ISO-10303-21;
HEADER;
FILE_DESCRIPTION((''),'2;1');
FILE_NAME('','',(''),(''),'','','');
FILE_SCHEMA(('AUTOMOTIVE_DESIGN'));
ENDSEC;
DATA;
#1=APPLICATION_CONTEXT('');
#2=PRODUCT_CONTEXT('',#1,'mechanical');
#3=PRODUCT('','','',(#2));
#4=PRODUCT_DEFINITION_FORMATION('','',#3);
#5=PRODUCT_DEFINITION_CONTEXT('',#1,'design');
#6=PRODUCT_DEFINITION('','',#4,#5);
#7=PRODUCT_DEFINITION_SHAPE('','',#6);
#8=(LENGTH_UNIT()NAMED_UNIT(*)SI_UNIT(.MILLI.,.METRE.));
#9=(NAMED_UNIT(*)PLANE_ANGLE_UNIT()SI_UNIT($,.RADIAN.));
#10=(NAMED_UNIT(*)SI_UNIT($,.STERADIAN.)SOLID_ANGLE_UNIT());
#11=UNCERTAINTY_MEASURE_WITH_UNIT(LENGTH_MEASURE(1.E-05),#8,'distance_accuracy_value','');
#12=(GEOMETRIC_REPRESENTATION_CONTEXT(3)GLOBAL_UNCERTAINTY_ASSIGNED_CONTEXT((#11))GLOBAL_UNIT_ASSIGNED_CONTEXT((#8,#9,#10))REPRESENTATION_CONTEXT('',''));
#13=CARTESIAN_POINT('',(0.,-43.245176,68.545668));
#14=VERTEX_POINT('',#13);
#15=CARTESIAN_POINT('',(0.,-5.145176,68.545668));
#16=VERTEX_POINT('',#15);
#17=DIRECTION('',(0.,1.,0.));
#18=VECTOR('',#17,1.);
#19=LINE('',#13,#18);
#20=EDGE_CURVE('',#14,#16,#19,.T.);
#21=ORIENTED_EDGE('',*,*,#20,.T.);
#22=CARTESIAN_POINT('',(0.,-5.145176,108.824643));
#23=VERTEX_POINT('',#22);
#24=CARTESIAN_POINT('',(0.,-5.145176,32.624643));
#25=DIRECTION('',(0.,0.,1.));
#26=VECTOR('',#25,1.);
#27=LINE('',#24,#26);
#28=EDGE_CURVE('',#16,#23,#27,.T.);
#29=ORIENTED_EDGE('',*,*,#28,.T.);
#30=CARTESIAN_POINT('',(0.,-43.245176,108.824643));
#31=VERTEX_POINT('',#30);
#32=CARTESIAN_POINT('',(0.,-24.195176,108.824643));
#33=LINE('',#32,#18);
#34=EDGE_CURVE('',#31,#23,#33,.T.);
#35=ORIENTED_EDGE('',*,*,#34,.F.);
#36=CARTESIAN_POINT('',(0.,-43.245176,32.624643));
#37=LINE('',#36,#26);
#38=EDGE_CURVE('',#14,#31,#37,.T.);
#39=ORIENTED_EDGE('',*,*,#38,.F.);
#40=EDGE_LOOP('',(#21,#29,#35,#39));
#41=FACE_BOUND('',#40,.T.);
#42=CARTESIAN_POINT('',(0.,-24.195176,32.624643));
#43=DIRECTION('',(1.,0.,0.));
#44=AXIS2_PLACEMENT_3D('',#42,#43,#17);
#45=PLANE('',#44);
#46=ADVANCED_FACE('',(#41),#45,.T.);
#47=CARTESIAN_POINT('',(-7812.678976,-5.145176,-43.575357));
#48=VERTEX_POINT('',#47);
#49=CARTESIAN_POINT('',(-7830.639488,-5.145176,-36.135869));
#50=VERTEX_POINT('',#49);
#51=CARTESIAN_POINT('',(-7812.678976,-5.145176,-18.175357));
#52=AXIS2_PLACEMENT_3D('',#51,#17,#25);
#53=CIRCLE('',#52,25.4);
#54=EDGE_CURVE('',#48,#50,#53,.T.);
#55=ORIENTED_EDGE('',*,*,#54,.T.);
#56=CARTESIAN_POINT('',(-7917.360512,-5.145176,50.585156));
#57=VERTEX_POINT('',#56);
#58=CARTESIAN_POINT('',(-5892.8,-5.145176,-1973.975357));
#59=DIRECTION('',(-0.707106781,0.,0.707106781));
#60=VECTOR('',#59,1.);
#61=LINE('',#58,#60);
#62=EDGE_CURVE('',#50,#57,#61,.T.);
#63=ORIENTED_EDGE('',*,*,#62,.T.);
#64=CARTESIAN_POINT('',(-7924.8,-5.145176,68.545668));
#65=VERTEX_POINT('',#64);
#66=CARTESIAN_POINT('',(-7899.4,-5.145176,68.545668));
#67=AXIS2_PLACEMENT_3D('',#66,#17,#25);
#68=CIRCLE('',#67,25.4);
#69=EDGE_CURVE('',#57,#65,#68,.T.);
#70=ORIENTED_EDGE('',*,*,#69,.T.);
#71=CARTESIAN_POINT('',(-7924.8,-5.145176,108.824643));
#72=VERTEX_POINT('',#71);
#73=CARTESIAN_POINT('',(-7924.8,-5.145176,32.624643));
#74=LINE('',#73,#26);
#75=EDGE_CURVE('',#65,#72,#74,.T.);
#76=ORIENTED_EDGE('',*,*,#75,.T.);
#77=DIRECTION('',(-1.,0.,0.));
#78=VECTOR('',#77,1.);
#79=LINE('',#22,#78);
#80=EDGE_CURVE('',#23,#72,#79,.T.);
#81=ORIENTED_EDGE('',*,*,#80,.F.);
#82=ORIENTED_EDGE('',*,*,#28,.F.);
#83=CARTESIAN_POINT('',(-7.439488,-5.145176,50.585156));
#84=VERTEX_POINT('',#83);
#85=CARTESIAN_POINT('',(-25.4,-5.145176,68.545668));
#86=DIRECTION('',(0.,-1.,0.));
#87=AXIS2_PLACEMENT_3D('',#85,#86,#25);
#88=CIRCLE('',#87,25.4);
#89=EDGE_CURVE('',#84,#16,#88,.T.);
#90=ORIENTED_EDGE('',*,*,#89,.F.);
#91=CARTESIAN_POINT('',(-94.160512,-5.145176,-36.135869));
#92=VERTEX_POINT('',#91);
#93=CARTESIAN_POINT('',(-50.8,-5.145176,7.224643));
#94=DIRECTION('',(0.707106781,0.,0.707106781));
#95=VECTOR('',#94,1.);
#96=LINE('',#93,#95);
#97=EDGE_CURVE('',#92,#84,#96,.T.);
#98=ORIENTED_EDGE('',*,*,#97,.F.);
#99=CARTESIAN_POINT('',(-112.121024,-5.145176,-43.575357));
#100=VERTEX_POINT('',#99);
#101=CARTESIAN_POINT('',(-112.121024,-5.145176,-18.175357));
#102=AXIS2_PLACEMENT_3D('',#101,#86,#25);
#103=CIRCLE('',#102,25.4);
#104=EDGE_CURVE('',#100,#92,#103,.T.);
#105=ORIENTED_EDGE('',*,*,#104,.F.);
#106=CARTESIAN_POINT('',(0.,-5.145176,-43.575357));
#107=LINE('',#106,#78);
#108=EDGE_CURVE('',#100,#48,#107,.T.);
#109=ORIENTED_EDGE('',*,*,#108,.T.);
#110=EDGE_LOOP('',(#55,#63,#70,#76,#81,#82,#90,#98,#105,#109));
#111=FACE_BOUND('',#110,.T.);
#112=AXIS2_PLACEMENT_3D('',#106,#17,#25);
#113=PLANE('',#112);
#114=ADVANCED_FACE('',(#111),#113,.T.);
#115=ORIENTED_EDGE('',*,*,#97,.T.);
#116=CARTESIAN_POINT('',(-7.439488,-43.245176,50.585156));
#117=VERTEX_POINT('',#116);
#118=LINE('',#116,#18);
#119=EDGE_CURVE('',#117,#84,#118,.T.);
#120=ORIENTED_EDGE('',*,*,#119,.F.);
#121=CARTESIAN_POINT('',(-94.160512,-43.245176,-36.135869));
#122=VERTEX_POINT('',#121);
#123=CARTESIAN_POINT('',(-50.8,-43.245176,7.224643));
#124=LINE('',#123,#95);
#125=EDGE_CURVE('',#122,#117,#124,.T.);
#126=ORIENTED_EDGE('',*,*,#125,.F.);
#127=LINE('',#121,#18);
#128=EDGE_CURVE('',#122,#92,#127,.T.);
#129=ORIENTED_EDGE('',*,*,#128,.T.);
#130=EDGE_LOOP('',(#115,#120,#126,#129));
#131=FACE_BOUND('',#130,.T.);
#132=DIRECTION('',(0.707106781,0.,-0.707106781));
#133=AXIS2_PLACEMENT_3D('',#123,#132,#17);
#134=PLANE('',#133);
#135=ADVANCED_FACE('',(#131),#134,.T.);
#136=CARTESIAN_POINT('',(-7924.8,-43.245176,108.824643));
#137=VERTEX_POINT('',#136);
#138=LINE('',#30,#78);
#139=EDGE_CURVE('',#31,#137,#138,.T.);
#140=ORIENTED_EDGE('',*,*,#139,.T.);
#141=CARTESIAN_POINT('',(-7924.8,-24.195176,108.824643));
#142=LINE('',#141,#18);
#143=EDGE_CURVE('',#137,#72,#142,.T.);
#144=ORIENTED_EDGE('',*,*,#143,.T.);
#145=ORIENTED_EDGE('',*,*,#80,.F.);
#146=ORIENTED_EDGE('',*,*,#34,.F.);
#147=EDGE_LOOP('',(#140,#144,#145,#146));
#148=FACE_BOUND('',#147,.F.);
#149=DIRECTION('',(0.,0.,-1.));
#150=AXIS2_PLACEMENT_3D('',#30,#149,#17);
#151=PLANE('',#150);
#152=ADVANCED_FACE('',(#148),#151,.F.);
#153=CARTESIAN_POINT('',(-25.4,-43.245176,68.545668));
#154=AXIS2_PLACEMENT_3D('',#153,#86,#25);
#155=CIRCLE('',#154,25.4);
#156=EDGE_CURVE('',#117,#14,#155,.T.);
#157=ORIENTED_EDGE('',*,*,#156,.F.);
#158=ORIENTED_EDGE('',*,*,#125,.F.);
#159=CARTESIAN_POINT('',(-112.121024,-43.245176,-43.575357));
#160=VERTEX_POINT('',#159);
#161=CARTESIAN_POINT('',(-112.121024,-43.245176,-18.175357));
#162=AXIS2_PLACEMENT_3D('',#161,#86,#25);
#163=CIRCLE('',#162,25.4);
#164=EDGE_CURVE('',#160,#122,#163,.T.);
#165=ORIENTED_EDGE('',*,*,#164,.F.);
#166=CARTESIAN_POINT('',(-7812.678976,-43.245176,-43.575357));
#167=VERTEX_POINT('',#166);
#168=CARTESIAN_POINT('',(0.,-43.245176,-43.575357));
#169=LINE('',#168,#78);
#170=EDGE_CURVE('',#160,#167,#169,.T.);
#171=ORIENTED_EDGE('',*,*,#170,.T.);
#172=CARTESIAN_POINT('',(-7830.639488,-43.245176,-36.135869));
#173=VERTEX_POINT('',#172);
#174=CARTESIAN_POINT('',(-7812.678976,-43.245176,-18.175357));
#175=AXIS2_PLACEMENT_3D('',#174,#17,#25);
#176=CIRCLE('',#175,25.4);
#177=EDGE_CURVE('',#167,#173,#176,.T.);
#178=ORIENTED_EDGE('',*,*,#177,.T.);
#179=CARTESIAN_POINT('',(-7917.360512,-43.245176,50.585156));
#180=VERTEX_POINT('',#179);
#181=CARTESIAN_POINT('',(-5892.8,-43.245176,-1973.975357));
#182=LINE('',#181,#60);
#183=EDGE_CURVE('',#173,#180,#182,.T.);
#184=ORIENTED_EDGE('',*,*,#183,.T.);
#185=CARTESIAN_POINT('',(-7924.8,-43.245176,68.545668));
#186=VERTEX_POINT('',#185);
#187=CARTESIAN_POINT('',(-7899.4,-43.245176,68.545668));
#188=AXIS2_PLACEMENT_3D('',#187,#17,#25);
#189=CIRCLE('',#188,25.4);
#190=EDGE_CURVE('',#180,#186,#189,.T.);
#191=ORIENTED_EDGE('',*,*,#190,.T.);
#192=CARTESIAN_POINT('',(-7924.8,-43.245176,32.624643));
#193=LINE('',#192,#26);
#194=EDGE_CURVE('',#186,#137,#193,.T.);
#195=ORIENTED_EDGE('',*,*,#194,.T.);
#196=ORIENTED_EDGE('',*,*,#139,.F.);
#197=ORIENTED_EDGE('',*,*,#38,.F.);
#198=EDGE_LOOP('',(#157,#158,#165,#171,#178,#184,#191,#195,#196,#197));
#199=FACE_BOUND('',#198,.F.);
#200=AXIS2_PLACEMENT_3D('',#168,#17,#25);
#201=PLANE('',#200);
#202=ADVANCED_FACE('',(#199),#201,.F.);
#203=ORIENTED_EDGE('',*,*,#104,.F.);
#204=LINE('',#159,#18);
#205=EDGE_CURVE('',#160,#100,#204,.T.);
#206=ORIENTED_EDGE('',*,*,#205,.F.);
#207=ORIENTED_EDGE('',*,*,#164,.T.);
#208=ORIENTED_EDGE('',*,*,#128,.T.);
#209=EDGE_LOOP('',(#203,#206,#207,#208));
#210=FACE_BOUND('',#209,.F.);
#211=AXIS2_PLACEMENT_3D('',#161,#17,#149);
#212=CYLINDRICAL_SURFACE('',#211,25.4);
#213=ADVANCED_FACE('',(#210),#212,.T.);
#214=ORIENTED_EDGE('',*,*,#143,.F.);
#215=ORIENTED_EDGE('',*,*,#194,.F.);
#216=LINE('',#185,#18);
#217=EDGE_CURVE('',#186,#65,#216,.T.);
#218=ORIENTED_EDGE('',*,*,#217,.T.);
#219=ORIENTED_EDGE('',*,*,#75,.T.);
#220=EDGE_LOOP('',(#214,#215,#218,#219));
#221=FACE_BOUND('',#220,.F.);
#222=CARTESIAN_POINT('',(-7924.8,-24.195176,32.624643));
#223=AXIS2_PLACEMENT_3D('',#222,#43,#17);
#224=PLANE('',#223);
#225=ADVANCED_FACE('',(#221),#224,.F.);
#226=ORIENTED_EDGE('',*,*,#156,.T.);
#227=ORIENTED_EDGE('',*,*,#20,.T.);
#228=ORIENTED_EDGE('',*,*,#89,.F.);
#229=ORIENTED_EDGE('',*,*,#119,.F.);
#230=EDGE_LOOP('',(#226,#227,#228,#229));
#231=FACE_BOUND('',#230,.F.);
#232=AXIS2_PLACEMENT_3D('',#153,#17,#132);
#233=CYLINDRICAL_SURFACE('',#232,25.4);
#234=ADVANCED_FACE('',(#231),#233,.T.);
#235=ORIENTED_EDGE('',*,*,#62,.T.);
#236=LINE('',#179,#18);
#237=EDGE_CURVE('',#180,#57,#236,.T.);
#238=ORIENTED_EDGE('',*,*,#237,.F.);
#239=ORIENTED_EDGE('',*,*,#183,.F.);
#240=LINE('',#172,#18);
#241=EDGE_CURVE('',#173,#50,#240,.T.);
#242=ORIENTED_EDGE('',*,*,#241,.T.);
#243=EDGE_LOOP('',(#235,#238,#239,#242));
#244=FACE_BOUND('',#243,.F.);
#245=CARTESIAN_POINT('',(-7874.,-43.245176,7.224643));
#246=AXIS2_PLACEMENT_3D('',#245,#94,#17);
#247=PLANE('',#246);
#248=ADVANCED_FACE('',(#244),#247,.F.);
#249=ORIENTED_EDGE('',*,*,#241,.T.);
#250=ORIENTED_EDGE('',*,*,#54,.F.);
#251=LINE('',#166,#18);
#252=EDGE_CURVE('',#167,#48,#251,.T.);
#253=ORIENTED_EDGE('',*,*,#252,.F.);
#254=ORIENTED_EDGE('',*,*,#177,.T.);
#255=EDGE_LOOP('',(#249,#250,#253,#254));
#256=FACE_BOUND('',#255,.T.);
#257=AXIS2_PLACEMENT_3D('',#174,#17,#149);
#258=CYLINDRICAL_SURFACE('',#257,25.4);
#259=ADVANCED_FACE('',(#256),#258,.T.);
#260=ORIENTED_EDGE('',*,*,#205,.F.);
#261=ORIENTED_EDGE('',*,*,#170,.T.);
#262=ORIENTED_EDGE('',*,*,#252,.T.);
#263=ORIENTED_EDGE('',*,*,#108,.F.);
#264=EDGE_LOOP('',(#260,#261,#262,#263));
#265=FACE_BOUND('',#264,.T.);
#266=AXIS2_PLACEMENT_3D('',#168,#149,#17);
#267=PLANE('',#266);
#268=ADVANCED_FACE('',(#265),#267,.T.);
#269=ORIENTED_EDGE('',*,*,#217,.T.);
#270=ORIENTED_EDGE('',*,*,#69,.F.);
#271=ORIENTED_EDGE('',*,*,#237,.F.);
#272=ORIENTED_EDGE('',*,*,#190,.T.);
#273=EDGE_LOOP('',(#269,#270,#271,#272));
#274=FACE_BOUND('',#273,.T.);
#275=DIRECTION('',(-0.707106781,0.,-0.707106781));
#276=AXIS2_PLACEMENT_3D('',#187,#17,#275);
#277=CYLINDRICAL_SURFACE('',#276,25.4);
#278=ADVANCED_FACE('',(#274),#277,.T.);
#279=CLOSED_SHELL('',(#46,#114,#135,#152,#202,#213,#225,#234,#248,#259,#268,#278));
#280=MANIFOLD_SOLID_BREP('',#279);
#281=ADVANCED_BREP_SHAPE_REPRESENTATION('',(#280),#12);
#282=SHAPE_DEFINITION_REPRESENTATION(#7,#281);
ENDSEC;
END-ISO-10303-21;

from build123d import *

# Parameters (mm, degrees)
F0_W     = 38.1
F0_H     = 152.4
F1_DEPTH = 7924.8
F2_SIZE  = 101.6
F3_R     = 25.4


with BuildPart() as f1:
    # F0 (on Right) → F1 (new body)
    with BuildSketch(Plane.YZ):
        with Locations((-24.1951760836, 32.6246434903)):
            Rectangle(F0_W, F0_H)
    extrude(amount=-F1_DEPTH)

    # F2
    f2_edges = [f1.edges().sort_by_distance(p)[0] for p in [
        (0, -24.195176, -43.575357),
        (-7924.8, -24.195176, -43.575357),
    ]]
    chamfer(f2_edges, length=F2_SIZE)

    # F3
    f3_edges = [f1.edges().sort_by_distance(p)[0] for p in [
        (0, -24.195176, 58.024643),
        (-101.6, -24.195176, -43.575357),
        (-7924.8, -24.195176, 58.024643),
        (-7823.2, -24.195176, -43.575357),
    ]]
    fillet(f3_edges, radius=F3_R)


solid = f1.part
